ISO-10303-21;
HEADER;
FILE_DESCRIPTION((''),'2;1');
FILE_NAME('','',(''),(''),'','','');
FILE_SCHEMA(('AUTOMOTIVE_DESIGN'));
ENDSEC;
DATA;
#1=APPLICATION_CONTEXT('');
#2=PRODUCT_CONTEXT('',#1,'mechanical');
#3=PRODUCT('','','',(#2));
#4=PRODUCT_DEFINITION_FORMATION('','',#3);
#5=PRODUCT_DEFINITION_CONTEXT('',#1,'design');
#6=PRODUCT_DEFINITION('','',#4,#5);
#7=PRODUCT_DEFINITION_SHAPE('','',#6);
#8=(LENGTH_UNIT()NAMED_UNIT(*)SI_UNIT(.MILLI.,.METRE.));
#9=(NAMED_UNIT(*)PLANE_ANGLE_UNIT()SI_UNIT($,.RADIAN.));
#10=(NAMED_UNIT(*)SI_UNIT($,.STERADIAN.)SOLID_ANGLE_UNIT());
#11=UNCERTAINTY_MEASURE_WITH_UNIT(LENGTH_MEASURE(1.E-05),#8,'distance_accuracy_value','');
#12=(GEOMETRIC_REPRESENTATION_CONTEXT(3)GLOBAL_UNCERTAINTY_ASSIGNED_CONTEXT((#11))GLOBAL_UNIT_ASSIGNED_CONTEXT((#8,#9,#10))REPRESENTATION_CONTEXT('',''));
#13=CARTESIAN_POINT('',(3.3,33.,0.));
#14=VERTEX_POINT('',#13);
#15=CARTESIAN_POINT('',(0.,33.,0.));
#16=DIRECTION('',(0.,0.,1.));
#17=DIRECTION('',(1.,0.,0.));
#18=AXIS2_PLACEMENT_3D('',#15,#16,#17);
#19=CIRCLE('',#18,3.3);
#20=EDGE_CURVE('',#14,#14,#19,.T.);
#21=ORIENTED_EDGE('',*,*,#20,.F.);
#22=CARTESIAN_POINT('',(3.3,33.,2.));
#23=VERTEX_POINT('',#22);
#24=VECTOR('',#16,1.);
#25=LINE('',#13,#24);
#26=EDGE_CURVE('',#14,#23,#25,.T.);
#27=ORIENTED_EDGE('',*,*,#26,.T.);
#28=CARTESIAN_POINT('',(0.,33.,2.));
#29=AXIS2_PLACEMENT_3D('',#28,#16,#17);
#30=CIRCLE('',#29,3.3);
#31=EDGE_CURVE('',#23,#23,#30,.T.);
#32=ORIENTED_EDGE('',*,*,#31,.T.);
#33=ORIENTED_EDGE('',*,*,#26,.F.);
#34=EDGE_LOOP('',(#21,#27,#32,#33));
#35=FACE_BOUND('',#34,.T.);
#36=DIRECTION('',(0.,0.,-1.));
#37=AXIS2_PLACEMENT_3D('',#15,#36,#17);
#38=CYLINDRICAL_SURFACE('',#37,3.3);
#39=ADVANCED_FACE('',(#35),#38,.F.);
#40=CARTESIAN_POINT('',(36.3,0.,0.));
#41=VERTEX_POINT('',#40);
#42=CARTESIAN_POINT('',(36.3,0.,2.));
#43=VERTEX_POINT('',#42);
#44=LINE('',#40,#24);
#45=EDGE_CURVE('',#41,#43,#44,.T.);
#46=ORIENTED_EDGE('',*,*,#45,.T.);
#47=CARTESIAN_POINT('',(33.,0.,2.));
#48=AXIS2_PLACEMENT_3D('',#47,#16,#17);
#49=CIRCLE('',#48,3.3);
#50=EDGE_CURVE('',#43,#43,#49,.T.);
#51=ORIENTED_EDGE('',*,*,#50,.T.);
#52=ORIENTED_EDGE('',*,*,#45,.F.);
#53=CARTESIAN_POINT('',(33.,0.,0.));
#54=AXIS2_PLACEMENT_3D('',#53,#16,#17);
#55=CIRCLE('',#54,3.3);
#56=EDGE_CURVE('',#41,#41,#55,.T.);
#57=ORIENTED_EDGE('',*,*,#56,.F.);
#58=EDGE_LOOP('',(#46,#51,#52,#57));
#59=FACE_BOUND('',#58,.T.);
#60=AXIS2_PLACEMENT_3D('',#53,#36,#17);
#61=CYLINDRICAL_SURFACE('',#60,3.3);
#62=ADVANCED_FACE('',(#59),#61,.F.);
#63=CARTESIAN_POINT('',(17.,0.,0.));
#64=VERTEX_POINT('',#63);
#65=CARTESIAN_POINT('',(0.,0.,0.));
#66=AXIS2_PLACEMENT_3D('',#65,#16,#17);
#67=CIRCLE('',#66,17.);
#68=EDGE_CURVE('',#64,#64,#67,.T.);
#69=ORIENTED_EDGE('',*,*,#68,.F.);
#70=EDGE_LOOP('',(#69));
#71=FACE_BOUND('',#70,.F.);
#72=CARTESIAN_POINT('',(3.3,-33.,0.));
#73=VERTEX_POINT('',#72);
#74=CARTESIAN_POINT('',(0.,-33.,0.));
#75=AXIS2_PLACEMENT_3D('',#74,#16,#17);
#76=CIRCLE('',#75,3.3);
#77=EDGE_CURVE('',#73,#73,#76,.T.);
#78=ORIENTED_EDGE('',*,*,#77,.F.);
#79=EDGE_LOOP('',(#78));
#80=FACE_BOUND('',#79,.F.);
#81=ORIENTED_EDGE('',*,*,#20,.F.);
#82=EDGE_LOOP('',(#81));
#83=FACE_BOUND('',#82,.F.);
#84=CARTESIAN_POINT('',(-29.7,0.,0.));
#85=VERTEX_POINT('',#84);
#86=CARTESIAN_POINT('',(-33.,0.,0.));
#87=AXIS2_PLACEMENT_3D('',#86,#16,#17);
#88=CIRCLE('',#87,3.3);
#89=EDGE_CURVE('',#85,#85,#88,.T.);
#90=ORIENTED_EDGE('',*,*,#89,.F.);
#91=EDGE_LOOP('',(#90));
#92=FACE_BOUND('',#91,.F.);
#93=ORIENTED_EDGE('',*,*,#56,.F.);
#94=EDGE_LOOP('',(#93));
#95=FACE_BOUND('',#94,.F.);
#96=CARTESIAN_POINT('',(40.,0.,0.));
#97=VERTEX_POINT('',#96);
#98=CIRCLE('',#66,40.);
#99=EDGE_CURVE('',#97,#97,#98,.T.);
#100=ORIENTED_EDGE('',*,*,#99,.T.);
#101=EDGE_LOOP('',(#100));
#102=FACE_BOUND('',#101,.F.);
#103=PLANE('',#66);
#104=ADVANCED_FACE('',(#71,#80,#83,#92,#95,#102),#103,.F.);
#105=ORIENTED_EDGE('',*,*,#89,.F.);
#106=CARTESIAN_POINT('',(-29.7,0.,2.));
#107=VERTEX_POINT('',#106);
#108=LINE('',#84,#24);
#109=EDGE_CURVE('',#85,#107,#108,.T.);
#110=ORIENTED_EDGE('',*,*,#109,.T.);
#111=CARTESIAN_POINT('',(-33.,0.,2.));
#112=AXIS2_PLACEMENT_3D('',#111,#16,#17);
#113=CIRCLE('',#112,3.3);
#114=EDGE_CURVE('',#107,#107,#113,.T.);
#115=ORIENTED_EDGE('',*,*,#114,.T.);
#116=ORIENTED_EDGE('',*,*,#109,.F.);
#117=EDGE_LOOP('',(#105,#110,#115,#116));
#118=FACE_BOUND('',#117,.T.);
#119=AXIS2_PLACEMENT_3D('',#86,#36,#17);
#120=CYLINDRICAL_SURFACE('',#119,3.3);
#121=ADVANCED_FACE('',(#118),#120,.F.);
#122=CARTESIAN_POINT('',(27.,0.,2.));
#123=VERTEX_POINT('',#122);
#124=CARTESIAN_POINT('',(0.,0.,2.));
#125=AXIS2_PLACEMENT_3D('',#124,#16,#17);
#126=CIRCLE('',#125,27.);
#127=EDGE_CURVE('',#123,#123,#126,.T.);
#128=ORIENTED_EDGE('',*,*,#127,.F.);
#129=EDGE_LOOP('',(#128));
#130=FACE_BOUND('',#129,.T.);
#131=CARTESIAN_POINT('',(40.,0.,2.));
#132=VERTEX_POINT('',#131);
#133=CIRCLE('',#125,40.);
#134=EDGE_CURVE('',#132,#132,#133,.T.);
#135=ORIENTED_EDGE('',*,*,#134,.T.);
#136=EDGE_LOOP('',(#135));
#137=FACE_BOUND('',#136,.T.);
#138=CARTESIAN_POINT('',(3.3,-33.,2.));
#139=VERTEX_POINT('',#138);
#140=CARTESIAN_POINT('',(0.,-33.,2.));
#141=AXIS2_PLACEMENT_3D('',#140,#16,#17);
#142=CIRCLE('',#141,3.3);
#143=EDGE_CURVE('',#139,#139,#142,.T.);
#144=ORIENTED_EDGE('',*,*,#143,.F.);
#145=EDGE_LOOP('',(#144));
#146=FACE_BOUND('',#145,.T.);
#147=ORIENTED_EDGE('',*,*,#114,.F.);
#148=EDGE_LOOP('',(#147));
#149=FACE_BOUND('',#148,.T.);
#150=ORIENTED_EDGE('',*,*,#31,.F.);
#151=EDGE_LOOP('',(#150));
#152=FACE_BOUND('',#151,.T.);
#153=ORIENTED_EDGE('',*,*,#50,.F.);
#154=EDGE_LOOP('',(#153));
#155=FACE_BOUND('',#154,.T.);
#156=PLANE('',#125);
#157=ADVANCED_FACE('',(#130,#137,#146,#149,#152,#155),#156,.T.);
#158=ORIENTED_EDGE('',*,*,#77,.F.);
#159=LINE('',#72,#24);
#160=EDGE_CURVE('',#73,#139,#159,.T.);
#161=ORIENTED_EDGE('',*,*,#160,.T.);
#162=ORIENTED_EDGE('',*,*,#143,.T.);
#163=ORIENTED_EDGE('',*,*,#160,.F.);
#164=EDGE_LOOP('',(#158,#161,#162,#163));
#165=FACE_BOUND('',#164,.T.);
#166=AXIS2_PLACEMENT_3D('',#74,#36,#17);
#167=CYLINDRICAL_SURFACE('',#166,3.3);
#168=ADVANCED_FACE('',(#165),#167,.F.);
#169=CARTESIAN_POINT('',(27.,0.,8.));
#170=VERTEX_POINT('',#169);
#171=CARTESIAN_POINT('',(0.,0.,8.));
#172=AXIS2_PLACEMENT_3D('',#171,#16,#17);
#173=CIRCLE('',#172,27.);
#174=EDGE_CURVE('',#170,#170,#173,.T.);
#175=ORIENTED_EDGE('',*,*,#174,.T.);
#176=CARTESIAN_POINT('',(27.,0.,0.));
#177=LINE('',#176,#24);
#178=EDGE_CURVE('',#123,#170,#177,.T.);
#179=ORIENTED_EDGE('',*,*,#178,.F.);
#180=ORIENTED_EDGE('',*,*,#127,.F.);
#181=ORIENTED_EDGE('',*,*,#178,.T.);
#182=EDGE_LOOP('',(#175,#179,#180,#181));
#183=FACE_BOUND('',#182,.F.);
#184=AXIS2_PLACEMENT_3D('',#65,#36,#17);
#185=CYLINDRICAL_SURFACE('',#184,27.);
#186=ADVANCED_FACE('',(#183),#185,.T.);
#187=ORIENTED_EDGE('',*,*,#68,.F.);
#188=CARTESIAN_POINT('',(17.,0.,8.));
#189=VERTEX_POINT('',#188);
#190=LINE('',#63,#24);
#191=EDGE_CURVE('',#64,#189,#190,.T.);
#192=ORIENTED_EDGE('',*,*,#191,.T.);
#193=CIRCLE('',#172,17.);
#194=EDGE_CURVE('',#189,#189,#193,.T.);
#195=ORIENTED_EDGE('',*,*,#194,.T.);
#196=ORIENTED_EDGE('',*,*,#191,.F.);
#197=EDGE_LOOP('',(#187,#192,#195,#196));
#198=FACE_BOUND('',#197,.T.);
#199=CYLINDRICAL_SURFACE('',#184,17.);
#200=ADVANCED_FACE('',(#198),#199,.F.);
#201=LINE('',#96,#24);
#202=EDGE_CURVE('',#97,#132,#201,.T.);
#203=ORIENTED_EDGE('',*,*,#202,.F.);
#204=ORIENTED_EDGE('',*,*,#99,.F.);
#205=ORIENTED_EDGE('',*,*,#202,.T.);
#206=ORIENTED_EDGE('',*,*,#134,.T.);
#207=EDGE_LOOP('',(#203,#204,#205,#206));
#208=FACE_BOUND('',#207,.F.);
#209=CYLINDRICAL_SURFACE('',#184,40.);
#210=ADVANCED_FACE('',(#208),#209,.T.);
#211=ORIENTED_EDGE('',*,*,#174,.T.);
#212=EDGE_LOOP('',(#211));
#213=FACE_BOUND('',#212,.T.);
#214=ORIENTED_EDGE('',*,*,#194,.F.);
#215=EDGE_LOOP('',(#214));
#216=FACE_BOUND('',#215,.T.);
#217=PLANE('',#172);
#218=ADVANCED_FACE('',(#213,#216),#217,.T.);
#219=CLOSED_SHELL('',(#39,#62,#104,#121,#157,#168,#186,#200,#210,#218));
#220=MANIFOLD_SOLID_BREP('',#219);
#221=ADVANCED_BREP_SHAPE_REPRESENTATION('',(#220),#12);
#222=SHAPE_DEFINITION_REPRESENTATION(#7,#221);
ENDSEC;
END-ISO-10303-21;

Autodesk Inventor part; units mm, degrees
ref_plane "YZ Plane" through (0, 0, 0) normal (1, 0, 0) x (0, 1, 0)
ref_plane "XZ Plane" through (0, 0, 0) normal (0, 1, 0) x (-1, 0, 0)
ref_plane "XY Plane" through (0, 0, 0) normal (0, 0, 1) x (1, 0, 0)
sketch "Sketch1" plane through (0, 0, 0) normal (0, 0, 1) x (1, 0, 0)
  circle A0 centre (0, 0) radius 40
  circle A1 centre (0, 0) radius 27
  circle A2 centre (0, 0) radius 17
  circle A3 centre (0, 33) radius 3.3
  circle A4 centre (-33, 0) radius 3.3
  circle A5 centre (0, -33) radius 3.3
  circle A6 centre (33, 0) radius 3.3
  dimension "d0" = 80
  dimension "d1" = 54
  dimension "d2" = 34
  dimension "d4" = 6.6
  dimension "d5" = 6.6
  dimension "d6" = 6.6
  dimension "d7" = 6.6
extrude "Extrusion1" add sketch "Sketch1" along normal blind 2 contours A0
extrude "Extrusion2" add sketch "Sketch1" along normal blind 8 contours A1
properties part number "tensorpolea"
